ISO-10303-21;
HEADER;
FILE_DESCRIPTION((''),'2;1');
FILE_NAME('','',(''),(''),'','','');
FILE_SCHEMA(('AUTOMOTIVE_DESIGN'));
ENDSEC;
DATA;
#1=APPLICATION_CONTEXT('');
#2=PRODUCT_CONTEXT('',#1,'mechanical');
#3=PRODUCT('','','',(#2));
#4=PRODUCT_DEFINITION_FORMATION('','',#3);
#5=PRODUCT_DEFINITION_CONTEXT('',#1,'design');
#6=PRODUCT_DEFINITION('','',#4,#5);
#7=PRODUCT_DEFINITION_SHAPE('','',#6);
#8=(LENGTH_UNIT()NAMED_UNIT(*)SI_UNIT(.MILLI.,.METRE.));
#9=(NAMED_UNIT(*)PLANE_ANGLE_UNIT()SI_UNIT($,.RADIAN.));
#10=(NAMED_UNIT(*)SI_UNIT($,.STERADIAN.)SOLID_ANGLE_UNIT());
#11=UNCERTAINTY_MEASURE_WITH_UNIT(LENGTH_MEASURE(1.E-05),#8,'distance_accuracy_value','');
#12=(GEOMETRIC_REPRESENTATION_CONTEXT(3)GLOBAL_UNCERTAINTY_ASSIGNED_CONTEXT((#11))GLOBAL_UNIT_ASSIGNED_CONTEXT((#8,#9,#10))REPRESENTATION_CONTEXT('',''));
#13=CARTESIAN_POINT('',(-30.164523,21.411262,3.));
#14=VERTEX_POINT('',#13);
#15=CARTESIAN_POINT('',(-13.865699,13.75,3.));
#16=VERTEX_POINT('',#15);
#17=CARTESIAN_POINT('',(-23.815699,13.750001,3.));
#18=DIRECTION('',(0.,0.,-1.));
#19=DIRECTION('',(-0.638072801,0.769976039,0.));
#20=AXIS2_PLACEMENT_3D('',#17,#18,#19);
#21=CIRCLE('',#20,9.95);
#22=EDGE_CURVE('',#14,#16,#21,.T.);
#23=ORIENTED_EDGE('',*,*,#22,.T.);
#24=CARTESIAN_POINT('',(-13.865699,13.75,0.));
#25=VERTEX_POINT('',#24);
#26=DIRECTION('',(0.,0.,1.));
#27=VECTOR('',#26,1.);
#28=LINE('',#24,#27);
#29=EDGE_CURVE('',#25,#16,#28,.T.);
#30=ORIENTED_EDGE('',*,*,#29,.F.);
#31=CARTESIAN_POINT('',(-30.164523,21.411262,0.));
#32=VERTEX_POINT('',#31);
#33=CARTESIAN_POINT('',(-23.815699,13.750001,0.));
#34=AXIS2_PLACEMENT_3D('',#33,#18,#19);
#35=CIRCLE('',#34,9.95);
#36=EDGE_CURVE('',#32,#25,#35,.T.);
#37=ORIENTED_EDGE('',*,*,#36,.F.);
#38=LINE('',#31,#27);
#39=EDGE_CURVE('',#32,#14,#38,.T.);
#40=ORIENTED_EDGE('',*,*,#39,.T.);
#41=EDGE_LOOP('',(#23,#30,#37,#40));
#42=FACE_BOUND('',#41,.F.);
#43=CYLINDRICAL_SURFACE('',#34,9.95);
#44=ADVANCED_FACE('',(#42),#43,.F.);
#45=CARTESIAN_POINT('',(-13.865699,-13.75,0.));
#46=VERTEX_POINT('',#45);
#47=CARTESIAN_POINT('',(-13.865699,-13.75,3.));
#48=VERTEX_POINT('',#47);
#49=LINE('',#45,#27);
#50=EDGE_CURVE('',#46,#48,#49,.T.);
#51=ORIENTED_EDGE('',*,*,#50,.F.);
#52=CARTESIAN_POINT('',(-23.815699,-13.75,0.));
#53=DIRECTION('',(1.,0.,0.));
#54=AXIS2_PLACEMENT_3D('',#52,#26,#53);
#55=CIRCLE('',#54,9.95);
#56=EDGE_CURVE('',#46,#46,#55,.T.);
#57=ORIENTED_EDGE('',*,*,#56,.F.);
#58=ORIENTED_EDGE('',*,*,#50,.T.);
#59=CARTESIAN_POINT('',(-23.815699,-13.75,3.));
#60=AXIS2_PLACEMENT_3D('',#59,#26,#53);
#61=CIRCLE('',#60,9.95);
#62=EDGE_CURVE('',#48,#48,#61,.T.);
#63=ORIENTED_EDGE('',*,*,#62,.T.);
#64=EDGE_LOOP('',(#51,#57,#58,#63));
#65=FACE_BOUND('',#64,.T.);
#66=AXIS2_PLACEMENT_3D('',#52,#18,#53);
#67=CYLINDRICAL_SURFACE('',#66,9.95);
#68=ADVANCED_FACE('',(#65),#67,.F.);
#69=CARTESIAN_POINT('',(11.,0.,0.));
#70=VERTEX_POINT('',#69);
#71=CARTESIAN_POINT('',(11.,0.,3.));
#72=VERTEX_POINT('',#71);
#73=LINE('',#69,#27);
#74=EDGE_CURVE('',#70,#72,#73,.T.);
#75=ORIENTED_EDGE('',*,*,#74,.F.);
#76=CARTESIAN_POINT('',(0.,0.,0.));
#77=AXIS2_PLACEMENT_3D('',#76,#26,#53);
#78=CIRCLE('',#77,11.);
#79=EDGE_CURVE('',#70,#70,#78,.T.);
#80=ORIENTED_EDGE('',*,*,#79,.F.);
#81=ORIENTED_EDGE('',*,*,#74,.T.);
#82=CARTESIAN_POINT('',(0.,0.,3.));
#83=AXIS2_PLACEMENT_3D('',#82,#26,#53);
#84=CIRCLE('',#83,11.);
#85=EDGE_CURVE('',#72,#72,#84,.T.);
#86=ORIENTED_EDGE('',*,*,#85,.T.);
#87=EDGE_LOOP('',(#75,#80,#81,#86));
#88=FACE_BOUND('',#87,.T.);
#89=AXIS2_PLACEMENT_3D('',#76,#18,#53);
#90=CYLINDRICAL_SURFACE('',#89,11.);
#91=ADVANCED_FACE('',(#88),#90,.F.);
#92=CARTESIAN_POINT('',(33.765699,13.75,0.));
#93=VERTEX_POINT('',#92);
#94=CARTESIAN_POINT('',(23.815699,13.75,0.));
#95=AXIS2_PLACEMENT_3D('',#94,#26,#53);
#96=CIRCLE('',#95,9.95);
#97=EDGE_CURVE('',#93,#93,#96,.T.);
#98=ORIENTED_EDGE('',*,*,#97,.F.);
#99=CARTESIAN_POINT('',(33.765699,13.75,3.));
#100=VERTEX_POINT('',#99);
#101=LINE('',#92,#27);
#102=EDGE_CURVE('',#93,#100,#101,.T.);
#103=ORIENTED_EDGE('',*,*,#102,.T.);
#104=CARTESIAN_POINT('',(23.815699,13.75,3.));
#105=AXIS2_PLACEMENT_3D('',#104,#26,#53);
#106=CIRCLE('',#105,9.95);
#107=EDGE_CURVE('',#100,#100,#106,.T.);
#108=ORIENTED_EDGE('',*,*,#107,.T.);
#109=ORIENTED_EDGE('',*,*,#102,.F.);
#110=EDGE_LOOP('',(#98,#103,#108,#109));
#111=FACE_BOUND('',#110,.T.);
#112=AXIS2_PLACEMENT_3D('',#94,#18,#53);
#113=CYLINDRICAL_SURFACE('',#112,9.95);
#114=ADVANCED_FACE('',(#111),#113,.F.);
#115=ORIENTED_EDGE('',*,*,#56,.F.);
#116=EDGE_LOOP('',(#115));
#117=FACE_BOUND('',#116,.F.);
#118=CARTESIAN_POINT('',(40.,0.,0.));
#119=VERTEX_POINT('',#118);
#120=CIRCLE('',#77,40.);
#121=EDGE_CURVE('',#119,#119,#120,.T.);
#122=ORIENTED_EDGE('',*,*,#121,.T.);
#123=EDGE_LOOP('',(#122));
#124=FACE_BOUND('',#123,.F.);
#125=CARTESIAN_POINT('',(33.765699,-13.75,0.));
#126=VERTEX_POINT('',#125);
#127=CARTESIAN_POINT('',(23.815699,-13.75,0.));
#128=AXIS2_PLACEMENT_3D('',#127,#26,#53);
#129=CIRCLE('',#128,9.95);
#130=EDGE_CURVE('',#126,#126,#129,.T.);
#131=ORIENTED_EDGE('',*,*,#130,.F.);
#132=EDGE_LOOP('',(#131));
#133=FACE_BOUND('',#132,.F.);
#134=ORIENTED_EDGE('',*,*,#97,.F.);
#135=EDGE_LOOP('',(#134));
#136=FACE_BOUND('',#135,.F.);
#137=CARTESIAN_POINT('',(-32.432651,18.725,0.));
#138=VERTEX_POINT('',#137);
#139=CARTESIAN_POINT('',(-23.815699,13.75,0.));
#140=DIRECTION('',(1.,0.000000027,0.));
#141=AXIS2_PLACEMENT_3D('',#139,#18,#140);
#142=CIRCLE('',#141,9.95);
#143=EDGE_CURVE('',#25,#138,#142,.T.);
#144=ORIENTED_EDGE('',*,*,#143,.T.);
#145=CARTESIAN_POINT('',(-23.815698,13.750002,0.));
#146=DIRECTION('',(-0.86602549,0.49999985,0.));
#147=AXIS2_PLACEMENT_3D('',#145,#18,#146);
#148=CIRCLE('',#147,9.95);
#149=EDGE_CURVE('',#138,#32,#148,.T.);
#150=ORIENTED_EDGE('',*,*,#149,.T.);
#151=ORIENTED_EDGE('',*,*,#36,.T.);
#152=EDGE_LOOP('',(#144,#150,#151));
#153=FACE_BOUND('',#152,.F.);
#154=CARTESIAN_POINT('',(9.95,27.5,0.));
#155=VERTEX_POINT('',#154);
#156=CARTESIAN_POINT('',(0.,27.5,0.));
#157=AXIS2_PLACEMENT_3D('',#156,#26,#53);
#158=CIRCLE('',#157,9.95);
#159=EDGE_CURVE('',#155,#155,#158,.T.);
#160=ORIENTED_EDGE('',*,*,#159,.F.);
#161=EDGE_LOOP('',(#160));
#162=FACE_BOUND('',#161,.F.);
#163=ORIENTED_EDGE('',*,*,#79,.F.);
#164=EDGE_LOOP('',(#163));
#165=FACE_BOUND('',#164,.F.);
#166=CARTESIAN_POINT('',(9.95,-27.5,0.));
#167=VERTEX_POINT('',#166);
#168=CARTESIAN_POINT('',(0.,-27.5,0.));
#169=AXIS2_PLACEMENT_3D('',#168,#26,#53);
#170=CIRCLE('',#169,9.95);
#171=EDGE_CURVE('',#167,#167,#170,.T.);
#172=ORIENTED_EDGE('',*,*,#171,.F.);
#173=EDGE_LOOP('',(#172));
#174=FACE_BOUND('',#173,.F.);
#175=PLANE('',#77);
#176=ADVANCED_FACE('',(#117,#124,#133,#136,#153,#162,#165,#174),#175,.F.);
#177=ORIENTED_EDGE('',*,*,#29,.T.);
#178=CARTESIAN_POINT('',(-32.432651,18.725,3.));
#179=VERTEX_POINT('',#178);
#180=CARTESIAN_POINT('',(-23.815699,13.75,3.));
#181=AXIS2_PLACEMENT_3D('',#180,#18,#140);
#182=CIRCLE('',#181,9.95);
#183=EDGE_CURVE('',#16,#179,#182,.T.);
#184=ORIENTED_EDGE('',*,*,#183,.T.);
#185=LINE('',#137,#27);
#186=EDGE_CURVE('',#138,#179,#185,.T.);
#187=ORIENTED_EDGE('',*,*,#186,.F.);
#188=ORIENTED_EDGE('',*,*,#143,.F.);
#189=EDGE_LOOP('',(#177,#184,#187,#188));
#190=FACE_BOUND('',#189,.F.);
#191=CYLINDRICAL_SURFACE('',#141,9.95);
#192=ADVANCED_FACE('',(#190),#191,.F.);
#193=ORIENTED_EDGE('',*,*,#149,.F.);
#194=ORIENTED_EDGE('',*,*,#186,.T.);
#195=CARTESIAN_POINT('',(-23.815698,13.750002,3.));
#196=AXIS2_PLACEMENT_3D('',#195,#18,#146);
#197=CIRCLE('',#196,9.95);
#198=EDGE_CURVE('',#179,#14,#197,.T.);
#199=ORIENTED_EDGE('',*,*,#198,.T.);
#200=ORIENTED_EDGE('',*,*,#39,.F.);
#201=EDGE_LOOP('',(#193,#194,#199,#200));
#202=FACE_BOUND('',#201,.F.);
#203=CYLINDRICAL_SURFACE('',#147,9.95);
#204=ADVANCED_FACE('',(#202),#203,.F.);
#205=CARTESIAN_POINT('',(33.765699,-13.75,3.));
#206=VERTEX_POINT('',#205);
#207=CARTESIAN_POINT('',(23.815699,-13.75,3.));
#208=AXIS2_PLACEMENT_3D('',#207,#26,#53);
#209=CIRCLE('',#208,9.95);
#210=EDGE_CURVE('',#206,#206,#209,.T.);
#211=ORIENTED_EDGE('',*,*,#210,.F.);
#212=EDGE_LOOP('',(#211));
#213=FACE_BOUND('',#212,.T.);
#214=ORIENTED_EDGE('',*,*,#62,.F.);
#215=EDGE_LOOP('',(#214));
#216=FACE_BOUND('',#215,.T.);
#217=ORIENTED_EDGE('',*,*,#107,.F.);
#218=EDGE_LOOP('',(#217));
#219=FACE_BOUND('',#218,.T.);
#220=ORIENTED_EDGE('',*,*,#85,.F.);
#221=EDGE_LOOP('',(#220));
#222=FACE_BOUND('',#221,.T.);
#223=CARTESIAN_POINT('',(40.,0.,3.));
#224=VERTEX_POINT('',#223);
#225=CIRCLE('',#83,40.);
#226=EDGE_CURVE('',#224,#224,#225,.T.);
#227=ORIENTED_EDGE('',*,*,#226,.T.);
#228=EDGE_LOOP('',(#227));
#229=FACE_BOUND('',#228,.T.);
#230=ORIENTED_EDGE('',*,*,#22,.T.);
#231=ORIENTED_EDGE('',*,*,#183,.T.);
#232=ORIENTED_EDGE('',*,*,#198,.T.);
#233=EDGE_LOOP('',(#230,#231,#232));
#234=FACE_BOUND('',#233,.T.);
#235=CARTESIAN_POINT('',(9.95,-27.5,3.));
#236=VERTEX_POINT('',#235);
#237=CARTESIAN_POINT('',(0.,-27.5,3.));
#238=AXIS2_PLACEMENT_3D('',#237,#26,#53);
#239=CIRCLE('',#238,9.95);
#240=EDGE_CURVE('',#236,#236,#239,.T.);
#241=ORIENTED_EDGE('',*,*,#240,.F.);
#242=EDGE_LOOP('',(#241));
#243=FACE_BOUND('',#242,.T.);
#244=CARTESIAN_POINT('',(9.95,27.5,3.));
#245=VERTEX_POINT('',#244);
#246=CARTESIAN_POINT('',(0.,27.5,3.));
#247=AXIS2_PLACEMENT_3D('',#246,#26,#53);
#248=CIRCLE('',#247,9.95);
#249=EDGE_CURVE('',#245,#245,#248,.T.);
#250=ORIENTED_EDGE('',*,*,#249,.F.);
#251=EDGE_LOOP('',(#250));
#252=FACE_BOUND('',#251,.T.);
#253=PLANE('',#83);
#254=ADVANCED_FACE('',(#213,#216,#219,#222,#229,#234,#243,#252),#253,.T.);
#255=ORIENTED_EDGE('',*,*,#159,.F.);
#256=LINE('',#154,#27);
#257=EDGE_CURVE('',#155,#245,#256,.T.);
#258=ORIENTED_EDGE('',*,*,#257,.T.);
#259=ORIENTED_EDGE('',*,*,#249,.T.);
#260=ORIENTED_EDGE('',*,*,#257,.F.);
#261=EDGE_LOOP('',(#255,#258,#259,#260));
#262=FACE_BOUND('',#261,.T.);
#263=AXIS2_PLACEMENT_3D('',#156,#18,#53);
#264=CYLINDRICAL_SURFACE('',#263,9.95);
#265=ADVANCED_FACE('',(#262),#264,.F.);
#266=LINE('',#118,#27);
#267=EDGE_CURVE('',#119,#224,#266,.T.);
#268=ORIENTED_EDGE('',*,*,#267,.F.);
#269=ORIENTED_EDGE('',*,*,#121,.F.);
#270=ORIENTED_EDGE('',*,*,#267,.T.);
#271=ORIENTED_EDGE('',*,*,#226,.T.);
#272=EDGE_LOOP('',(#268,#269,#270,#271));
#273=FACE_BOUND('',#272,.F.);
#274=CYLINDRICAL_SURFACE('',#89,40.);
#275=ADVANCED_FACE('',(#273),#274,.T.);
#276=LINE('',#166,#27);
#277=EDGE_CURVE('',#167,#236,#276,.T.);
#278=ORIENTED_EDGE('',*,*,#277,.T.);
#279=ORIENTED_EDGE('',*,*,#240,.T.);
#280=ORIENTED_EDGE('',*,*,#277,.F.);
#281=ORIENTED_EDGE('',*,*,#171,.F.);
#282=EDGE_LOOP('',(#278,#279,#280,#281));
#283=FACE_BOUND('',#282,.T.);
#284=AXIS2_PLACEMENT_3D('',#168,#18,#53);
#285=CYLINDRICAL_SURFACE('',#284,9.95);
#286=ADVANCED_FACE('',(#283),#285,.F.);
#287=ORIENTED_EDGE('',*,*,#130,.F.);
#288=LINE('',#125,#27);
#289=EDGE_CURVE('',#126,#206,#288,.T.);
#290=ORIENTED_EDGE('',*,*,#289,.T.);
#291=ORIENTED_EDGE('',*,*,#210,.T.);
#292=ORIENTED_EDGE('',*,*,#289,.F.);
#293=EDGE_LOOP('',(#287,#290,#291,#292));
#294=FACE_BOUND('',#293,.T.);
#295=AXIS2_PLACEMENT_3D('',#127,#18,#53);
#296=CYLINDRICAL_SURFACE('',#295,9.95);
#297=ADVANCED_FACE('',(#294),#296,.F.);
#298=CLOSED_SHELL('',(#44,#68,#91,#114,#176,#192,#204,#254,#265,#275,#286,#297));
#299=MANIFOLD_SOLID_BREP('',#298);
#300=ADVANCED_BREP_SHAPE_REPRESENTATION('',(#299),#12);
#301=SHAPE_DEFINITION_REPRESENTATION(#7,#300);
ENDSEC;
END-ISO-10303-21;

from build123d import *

# Parameters (mm, degrees)
F0_R     = 40
F0_R_2   = 9.95
F0_R_3   = 11
F1_DEPTH = 3


with BuildPart() as f1:
    # F0 (on Top) → F1 (new body)
    with BuildSketch(Plane.XY):
        Circle(F0_R)
        with Locations((-23.815699, -13.75)):
            Circle(F0_R_2, mode=Mode.SUBTRACT)
        with Locations((0, -27.5)):
            Circle(F0_R_2, mode=Mode.SUBTRACT)
        with Locations((23.815699, -13.75)):
            Circle(F0_R_2, mode=Mode.SUBTRACT)
        with BuildLine():
            ThreePointArc((-30.164523, 21.411262), (-19.582987, 22.754813), (-13.865699, 13.75))
            ThreePointArc((-13.865699, 13.75), (-26.390948, 4.139038), (-32.432651, 18.725))
            ThreePointArc((-32.432651, 18.725), (-31.418173, 20.169103), (-30.164523, 21.411262))
        make_face(mode=Mode.SUBTRACT)
        Circle(F0_R_3, mode=Mode.SUBTRACT)
        with Locations((23.815699, 13.75)):
            Circle(F0_R_2, mode=Mode.SUBTRACT)
        with Locations((0, 27.5)):
            Circle(F0_R_2, mode=Mode.SUBTRACT)
    extrude(amount=F1_DEPTH)


solid = f1.part
